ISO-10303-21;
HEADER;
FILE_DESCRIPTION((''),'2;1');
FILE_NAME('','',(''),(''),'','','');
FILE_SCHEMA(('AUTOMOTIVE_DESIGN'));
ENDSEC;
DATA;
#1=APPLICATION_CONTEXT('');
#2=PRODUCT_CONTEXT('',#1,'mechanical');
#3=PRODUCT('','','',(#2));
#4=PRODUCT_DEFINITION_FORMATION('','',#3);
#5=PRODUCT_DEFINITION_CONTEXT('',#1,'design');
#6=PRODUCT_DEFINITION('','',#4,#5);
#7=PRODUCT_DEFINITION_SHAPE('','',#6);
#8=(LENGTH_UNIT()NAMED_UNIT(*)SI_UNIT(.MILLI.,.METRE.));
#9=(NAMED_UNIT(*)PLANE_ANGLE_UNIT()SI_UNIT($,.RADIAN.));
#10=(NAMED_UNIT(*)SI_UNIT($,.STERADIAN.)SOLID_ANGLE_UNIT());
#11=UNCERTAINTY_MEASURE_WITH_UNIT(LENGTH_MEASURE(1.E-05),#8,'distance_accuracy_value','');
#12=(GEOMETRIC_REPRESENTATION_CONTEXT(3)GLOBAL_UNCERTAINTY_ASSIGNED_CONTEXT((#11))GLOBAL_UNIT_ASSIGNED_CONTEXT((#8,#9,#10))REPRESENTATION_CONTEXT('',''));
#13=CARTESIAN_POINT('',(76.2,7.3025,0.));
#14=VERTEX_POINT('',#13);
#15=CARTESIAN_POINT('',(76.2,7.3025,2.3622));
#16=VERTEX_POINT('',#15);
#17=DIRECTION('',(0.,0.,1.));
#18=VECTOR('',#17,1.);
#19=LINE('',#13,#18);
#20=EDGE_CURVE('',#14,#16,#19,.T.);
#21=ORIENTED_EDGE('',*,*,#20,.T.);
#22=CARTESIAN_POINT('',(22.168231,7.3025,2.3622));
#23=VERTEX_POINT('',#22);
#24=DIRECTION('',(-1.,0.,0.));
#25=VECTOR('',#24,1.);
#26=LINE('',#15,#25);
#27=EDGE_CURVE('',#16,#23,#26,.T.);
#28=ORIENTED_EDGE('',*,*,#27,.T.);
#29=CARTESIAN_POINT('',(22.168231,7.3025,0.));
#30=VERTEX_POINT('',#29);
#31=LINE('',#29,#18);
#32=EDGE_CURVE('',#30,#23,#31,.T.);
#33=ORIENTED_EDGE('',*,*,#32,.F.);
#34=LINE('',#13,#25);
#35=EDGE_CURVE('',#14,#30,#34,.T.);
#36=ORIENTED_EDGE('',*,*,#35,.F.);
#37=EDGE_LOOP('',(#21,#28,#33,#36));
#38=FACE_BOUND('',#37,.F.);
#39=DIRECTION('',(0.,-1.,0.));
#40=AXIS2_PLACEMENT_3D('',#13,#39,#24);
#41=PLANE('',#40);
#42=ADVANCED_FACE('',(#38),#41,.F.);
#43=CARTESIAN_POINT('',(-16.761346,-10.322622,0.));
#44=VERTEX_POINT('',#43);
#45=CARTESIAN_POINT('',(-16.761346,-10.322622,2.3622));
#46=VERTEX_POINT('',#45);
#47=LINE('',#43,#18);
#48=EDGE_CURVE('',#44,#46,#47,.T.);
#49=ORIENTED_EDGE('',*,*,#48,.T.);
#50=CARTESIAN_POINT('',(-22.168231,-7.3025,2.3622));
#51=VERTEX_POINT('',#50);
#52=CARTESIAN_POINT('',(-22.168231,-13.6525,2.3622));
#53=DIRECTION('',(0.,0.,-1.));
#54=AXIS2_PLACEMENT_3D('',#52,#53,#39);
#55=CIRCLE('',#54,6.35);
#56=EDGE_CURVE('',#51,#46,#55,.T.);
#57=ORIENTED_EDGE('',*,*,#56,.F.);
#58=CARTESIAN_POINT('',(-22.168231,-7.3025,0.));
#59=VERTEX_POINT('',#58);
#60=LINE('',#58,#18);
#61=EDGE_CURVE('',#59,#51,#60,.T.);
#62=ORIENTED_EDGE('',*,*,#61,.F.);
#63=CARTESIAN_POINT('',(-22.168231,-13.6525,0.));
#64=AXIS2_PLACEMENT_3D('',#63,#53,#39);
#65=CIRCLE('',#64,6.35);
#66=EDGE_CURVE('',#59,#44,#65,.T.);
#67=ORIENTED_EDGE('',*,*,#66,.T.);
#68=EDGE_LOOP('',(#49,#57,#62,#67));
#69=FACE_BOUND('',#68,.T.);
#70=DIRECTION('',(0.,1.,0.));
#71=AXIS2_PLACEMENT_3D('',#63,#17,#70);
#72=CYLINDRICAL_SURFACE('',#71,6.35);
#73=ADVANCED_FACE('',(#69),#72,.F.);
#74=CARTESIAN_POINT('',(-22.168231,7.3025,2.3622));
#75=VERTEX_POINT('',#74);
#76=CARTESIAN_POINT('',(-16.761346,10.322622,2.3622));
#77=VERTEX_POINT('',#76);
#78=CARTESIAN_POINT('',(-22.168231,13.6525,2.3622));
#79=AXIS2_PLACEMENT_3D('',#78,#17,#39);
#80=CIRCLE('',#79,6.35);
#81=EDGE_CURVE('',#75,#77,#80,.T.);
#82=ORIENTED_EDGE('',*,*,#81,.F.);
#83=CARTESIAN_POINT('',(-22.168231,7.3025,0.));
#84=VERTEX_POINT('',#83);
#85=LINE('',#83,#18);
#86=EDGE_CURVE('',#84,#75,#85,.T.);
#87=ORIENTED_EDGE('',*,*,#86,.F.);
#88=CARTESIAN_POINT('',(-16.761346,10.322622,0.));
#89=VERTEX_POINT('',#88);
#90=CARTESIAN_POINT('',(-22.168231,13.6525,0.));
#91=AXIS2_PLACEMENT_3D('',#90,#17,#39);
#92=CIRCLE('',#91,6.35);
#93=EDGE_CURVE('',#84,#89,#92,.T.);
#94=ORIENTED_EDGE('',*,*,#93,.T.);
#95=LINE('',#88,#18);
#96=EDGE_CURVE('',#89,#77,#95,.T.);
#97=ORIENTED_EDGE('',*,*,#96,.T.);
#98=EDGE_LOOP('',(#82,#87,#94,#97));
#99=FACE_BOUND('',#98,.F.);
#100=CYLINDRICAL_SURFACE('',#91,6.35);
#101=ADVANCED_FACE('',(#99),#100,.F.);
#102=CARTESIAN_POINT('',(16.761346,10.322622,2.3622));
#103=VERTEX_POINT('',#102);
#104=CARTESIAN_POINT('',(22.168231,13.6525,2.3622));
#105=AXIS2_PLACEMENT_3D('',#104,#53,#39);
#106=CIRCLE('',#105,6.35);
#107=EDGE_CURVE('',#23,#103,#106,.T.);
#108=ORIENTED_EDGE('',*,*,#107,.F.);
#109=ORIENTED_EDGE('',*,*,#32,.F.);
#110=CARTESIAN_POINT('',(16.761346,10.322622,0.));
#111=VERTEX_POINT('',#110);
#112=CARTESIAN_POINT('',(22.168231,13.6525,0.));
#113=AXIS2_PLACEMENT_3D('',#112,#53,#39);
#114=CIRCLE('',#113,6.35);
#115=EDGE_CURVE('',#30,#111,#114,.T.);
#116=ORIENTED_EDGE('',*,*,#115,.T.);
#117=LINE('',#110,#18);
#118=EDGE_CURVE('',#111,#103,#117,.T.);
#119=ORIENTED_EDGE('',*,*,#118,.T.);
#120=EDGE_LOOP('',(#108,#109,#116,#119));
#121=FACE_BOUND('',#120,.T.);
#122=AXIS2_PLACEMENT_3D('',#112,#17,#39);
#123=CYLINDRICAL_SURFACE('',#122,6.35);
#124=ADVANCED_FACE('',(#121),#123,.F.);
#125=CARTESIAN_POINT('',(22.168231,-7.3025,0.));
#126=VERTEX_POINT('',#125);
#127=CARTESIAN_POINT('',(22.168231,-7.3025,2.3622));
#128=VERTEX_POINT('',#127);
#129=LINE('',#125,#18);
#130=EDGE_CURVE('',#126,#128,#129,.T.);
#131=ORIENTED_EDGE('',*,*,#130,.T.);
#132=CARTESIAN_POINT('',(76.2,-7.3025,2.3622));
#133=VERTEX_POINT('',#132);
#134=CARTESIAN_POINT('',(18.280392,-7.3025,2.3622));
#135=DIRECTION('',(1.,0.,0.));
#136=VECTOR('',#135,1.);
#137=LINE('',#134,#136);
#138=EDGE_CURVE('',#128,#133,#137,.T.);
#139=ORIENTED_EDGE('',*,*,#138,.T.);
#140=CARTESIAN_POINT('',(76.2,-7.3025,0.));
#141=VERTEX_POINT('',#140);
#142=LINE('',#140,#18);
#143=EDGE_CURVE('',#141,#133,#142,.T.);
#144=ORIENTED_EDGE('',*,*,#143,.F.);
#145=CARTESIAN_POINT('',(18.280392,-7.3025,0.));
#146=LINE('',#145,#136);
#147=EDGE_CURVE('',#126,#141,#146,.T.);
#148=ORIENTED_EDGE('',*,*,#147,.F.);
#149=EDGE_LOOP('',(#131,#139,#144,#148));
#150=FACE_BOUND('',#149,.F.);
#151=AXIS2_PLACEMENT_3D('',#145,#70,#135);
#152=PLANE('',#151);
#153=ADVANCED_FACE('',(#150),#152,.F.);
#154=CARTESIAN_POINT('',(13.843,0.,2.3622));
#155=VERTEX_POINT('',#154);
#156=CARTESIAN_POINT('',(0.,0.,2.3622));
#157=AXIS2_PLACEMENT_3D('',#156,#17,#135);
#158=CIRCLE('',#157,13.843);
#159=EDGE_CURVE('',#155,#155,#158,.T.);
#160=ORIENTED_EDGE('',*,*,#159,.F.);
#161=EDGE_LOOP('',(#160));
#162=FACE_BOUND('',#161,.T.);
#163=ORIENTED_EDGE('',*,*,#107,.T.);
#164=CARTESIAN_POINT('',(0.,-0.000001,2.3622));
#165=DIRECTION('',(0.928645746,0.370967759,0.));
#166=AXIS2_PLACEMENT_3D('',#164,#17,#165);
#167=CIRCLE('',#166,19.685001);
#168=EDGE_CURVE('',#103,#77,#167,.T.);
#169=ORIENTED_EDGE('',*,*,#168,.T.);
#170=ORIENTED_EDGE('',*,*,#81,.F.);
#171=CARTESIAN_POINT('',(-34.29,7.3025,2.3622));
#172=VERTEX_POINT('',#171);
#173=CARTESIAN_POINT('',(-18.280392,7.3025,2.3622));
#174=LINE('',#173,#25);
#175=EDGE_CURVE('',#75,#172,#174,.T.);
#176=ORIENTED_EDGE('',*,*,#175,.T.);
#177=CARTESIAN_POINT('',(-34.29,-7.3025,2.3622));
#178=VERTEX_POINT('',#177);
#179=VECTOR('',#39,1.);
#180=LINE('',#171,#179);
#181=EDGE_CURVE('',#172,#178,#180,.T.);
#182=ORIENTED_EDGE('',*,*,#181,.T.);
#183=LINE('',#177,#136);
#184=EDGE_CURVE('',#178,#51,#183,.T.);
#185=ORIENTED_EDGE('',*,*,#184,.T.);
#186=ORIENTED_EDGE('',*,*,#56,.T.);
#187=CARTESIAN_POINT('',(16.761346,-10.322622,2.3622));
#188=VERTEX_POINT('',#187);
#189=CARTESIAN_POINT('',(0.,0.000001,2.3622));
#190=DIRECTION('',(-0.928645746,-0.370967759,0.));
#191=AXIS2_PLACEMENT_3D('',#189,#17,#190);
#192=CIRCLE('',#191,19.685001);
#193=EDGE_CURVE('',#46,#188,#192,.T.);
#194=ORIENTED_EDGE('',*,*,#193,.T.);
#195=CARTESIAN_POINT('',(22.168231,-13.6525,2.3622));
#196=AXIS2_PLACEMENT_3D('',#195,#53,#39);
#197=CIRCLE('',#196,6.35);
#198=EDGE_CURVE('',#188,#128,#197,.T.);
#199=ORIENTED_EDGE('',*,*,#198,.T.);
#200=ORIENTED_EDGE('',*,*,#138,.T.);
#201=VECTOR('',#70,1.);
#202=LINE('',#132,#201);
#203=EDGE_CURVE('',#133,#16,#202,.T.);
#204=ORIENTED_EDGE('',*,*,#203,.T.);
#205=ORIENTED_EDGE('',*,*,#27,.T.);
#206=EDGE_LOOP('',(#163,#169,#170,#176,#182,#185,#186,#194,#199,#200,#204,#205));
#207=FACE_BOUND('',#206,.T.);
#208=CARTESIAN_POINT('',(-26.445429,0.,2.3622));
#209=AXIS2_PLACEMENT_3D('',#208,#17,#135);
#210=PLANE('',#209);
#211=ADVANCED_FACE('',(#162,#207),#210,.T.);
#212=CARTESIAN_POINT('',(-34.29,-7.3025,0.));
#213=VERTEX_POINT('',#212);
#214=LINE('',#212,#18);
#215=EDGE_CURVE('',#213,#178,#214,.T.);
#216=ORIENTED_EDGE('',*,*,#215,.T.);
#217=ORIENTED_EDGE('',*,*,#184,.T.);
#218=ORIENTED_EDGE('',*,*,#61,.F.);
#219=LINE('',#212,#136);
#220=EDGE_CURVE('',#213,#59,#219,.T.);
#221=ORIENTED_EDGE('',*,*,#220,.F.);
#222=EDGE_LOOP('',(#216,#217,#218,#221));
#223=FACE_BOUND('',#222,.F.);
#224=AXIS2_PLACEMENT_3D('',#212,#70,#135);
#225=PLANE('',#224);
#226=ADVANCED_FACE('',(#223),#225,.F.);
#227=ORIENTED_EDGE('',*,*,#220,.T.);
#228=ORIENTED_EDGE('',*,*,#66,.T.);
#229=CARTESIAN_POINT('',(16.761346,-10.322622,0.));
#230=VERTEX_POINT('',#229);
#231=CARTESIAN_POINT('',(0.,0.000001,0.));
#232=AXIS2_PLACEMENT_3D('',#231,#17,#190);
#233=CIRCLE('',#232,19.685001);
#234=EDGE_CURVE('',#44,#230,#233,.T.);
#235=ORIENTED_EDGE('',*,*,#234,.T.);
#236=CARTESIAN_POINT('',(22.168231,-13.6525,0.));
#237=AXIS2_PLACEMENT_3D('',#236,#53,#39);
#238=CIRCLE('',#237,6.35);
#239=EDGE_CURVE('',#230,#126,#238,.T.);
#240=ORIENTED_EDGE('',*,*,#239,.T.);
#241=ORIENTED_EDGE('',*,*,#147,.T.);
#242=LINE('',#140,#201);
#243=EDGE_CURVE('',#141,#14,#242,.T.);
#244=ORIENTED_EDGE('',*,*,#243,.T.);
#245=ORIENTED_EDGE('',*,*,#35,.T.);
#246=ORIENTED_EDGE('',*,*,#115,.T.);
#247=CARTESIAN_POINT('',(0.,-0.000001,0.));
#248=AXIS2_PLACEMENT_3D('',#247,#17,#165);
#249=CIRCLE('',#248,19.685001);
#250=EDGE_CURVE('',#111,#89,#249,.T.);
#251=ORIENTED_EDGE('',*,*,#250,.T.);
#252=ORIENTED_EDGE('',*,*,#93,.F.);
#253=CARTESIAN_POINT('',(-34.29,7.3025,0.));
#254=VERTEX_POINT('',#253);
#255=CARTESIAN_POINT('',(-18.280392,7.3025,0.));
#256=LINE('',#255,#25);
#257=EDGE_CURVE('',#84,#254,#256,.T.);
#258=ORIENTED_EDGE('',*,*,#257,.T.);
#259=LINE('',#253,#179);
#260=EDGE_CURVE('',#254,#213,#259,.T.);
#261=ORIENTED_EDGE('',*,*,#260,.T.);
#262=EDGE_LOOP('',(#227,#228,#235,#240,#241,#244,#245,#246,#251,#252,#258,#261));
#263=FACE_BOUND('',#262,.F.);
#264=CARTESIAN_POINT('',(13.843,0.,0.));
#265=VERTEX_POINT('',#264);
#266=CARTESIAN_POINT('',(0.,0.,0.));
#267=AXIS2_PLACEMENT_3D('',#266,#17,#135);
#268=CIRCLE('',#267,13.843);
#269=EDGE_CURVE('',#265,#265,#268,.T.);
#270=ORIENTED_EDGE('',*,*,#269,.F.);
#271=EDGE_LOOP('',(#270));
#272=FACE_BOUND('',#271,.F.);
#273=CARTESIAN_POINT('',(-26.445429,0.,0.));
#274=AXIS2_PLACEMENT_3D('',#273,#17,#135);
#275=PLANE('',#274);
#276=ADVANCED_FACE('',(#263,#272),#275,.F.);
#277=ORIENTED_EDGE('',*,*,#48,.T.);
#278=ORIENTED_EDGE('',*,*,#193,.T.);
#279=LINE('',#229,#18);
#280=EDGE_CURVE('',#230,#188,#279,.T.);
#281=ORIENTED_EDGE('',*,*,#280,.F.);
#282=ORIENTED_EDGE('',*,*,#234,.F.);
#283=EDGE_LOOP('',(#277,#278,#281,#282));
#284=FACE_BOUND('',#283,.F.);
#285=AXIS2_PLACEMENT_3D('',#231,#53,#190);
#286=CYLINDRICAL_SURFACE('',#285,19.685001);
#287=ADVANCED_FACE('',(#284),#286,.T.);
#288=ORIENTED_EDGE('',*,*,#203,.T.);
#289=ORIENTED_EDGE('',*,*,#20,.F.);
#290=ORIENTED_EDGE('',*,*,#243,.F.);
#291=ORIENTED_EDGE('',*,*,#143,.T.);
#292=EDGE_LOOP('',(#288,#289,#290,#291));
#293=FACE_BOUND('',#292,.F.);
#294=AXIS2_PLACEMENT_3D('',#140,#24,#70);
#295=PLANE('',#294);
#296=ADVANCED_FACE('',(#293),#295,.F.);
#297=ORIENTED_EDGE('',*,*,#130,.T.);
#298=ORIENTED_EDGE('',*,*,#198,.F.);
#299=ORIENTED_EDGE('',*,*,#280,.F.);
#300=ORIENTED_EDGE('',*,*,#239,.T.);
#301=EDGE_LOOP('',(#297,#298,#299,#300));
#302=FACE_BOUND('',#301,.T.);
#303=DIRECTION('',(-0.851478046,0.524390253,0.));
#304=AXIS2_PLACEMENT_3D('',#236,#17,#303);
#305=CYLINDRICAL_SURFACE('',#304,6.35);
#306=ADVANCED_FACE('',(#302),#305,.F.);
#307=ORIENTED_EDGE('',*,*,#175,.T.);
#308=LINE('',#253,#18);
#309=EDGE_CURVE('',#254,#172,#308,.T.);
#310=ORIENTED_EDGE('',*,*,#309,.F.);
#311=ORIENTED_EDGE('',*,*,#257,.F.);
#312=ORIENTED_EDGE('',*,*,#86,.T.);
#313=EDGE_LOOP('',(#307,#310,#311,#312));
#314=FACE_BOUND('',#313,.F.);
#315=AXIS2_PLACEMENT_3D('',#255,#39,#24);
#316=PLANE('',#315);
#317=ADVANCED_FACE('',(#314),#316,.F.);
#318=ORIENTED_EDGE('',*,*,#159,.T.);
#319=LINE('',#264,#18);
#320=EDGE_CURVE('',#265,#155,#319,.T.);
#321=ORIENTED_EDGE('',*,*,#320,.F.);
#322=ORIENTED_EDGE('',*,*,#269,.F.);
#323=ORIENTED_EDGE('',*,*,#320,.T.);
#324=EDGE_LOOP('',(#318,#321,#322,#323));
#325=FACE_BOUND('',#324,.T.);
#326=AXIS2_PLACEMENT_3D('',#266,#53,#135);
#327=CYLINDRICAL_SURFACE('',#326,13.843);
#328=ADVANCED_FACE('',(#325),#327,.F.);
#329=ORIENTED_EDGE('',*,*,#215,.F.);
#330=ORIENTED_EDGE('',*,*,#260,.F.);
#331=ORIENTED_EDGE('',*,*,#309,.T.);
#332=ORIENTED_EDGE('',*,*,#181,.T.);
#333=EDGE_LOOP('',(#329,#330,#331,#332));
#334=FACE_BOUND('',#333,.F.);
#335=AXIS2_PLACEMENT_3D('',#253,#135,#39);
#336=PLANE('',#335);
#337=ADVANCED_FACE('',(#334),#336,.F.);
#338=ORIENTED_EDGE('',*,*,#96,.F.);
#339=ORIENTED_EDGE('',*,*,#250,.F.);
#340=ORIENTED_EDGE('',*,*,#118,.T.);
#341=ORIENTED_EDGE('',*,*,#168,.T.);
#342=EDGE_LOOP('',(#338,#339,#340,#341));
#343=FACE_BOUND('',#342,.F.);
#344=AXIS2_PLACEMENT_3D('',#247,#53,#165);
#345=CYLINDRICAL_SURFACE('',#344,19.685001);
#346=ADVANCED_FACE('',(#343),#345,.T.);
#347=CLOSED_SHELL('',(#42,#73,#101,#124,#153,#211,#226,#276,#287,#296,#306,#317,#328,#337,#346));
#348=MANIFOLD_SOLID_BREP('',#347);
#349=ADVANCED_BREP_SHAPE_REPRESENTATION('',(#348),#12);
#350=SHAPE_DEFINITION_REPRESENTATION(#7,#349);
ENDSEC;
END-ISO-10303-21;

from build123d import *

# Parameters (mm, degrees)
F0_R     = 13.843
F1_DEPTH = 2.3622
F2_R     = 6.35


with BuildPart() as f1:
    # F0 (on Top) → F1 (new body)
    with BuildSketch(Plane.XY):
        with BuildLine():
            ThreePointArc((-18.280392, -7.3025), (-19.685, 0), (-18.280392, 7.3025))
            Line((-18.280392, 7.3025), (-34.29, 7.3025))
            Line((-34.29, 7.3025), (-34.29, -7.3025))
            Line((-34.29, -7.3025), (-18.280392, -7.3025))
        make_face()
        with BuildLine():
            ThreePointArc((18.280392, -7.3025), (19.330659, -3.718179), (19.685, 0))
            ThreePointArc((19.685, 0), (19.330659, 3.718179), (18.280392, 7.3025))
            ThreePointArc((18.280392, 7.3025), (0, 19.685), (-18.280392, 7.3025))
            ThreePointArc((-18.280392, 7.3025), (-19.685, 0), (-18.280392, -7.3025))
            ThreePointArc((-18.280392, -7.3025), (0, -19.685), (18.280392, -7.3025))
        make_face()
        Circle(F0_R, mode=Mode.SUBTRACT)
        with BuildLine():
            ThreePointArc((18.280392, 7.3025), (19.330659, 3.718179), (19.685, 0))
            ThreePointArc((19.685, 0), (19.330659, -3.718179), (18.280392, -7.3025))
            Line((18.280392, -7.3025), (76.2, -7.3025))
            Line((76.2, -7.3025), (76.2, 7.3025))
            Line((76.2, 7.3025), (18.280392, 7.3025))
        make_face()
    extrude(amount=F1_DEPTH)

    # F2
    f2_edges = [f1.edges().sort_by_distance(p)[0] for p in [
        (18.280392, -7.3025, 1.1811),
        (-18.280392, -7.3025, 1.1811),
        (-18.280392, 7.3025, 1.1811),
        (18.280392, 7.3025, 1.1811),
    ]]
    fillet(f2_edges, radius=F2_R)


solid = f1.part
